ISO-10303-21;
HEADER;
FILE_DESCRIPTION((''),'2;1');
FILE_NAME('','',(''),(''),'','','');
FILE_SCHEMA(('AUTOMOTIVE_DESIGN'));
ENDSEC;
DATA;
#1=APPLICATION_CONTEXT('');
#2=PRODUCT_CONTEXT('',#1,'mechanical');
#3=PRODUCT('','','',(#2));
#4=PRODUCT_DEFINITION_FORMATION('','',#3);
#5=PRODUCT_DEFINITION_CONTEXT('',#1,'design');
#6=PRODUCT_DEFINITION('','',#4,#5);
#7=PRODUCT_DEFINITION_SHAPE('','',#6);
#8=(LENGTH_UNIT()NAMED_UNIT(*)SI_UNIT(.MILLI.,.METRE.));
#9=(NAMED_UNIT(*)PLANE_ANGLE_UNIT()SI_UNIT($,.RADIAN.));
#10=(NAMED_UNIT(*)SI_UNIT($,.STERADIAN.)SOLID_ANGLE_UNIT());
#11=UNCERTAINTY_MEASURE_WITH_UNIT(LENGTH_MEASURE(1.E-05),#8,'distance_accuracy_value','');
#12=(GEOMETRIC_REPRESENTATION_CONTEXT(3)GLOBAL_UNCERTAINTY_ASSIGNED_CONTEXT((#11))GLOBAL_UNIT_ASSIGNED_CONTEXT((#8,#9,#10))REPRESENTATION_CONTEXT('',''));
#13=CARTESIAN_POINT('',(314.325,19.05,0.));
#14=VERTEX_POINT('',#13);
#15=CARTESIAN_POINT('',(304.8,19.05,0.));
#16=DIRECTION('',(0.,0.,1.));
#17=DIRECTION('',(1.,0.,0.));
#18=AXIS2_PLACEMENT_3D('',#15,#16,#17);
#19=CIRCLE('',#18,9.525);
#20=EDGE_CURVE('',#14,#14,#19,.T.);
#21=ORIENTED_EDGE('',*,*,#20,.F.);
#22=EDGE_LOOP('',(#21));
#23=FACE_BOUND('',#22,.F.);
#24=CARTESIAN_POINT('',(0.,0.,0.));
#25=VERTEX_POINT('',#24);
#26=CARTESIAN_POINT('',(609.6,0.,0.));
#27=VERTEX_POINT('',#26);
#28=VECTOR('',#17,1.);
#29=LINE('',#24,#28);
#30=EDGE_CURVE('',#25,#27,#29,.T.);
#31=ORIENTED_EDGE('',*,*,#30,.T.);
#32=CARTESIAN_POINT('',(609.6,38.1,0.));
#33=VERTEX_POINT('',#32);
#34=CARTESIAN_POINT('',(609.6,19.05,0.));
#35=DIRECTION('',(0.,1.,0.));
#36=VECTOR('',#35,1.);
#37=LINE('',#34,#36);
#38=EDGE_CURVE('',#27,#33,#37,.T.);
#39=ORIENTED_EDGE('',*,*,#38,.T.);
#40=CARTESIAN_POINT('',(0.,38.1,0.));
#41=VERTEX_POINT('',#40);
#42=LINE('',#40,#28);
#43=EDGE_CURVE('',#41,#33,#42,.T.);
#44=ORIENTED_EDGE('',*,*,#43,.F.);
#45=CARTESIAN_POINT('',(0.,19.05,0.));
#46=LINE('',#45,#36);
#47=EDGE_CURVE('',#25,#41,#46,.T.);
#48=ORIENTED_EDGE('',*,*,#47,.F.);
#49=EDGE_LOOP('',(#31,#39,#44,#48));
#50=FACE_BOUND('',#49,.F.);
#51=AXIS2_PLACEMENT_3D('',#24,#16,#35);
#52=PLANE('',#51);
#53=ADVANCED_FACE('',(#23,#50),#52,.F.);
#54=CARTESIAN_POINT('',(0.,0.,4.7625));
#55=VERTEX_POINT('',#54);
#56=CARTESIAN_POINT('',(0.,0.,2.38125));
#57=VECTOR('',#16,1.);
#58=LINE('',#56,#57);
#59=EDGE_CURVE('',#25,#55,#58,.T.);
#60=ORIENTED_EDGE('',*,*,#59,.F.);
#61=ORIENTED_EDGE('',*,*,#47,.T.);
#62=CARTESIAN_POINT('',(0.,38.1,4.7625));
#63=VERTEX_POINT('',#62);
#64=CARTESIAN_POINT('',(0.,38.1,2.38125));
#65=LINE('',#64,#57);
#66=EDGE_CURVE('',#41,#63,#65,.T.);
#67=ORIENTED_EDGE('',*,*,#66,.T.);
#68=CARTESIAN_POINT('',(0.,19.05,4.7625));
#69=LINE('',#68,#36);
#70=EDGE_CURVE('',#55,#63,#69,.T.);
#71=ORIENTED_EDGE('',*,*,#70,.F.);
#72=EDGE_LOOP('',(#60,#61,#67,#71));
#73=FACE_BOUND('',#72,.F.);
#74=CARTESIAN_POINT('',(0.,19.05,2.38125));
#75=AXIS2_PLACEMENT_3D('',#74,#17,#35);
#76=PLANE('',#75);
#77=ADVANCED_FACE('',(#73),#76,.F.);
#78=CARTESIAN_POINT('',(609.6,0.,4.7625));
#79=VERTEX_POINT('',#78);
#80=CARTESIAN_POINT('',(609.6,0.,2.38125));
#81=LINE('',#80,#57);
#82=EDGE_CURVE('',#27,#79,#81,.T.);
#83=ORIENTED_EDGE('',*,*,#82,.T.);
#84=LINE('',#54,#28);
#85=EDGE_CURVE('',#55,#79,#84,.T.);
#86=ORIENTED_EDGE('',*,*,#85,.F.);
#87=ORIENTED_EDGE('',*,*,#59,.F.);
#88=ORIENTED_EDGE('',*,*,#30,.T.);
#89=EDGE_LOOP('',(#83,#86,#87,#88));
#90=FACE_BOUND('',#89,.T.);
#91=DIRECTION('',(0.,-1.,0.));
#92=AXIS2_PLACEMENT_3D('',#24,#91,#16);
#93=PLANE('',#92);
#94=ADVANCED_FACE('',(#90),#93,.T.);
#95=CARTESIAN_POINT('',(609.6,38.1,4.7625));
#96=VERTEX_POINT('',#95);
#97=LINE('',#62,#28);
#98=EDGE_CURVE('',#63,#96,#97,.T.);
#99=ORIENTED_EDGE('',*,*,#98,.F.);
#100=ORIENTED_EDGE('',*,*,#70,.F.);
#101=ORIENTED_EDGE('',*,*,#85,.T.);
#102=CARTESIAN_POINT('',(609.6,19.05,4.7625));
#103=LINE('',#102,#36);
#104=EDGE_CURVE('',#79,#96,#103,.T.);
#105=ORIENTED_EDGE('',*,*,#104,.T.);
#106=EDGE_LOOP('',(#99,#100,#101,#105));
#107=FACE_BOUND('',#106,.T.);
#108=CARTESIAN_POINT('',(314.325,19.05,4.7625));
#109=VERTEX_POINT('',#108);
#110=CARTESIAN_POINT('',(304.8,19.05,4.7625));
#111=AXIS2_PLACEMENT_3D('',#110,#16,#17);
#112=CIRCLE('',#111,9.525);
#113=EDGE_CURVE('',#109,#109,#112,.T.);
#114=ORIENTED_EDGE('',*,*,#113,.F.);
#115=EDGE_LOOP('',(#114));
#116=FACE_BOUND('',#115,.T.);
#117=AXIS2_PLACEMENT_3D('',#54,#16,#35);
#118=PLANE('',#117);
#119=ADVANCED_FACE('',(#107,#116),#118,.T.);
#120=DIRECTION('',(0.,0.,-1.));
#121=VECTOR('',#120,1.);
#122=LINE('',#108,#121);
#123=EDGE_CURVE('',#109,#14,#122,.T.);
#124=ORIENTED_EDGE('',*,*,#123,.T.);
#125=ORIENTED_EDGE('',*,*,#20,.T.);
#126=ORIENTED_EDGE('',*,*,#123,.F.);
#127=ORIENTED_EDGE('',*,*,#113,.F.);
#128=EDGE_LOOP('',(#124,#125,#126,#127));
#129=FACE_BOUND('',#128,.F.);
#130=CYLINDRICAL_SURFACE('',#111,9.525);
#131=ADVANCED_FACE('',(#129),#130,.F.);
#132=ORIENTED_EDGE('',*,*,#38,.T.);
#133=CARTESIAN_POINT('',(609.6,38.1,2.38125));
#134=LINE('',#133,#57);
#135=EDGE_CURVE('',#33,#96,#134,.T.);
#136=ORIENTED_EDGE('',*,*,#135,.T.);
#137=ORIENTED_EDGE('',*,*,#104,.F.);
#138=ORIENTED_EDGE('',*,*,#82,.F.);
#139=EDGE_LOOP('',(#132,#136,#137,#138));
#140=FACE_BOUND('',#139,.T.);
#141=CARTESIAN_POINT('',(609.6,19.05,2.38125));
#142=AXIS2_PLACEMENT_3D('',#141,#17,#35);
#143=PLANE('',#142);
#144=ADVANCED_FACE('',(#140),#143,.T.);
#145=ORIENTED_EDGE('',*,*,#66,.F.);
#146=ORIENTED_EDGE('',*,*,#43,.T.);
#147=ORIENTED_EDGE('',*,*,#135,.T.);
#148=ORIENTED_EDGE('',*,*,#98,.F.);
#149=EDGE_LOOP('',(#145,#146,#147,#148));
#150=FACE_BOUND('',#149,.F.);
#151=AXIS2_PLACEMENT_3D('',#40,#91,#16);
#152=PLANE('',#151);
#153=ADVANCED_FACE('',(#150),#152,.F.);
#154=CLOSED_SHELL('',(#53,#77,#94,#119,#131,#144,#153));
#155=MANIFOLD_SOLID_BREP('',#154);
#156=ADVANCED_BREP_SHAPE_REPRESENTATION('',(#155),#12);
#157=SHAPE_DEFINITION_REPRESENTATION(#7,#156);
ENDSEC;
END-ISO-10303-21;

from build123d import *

# Parameters (mm, degrees)
F0_W     = 38.1
F0_H     = 4.7625
F1_DEPTH = 609.6
F2_R     = 9.525
F3_DEPTH = 25.4


with BuildPart() as f1:
    # F0 (on Right) → F1 (new body)
    with BuildSketch(Plane.YZ):
        with Locations((19.05, 2.38125)):
            Rectangle(F0_W, F0_H)
    extrude(amount=F1_DEPTH)

    # F2 (on face) → F3 (cut)
    with BuildSketch(Plane.XY.offset(4.7625)):
        with Locations((304.8, 19.05)):
            Circle(F2_R)
    extrude(amount=-F3_DEPTH, mode=Mode.SUBTRACT)


solid = f1.part
